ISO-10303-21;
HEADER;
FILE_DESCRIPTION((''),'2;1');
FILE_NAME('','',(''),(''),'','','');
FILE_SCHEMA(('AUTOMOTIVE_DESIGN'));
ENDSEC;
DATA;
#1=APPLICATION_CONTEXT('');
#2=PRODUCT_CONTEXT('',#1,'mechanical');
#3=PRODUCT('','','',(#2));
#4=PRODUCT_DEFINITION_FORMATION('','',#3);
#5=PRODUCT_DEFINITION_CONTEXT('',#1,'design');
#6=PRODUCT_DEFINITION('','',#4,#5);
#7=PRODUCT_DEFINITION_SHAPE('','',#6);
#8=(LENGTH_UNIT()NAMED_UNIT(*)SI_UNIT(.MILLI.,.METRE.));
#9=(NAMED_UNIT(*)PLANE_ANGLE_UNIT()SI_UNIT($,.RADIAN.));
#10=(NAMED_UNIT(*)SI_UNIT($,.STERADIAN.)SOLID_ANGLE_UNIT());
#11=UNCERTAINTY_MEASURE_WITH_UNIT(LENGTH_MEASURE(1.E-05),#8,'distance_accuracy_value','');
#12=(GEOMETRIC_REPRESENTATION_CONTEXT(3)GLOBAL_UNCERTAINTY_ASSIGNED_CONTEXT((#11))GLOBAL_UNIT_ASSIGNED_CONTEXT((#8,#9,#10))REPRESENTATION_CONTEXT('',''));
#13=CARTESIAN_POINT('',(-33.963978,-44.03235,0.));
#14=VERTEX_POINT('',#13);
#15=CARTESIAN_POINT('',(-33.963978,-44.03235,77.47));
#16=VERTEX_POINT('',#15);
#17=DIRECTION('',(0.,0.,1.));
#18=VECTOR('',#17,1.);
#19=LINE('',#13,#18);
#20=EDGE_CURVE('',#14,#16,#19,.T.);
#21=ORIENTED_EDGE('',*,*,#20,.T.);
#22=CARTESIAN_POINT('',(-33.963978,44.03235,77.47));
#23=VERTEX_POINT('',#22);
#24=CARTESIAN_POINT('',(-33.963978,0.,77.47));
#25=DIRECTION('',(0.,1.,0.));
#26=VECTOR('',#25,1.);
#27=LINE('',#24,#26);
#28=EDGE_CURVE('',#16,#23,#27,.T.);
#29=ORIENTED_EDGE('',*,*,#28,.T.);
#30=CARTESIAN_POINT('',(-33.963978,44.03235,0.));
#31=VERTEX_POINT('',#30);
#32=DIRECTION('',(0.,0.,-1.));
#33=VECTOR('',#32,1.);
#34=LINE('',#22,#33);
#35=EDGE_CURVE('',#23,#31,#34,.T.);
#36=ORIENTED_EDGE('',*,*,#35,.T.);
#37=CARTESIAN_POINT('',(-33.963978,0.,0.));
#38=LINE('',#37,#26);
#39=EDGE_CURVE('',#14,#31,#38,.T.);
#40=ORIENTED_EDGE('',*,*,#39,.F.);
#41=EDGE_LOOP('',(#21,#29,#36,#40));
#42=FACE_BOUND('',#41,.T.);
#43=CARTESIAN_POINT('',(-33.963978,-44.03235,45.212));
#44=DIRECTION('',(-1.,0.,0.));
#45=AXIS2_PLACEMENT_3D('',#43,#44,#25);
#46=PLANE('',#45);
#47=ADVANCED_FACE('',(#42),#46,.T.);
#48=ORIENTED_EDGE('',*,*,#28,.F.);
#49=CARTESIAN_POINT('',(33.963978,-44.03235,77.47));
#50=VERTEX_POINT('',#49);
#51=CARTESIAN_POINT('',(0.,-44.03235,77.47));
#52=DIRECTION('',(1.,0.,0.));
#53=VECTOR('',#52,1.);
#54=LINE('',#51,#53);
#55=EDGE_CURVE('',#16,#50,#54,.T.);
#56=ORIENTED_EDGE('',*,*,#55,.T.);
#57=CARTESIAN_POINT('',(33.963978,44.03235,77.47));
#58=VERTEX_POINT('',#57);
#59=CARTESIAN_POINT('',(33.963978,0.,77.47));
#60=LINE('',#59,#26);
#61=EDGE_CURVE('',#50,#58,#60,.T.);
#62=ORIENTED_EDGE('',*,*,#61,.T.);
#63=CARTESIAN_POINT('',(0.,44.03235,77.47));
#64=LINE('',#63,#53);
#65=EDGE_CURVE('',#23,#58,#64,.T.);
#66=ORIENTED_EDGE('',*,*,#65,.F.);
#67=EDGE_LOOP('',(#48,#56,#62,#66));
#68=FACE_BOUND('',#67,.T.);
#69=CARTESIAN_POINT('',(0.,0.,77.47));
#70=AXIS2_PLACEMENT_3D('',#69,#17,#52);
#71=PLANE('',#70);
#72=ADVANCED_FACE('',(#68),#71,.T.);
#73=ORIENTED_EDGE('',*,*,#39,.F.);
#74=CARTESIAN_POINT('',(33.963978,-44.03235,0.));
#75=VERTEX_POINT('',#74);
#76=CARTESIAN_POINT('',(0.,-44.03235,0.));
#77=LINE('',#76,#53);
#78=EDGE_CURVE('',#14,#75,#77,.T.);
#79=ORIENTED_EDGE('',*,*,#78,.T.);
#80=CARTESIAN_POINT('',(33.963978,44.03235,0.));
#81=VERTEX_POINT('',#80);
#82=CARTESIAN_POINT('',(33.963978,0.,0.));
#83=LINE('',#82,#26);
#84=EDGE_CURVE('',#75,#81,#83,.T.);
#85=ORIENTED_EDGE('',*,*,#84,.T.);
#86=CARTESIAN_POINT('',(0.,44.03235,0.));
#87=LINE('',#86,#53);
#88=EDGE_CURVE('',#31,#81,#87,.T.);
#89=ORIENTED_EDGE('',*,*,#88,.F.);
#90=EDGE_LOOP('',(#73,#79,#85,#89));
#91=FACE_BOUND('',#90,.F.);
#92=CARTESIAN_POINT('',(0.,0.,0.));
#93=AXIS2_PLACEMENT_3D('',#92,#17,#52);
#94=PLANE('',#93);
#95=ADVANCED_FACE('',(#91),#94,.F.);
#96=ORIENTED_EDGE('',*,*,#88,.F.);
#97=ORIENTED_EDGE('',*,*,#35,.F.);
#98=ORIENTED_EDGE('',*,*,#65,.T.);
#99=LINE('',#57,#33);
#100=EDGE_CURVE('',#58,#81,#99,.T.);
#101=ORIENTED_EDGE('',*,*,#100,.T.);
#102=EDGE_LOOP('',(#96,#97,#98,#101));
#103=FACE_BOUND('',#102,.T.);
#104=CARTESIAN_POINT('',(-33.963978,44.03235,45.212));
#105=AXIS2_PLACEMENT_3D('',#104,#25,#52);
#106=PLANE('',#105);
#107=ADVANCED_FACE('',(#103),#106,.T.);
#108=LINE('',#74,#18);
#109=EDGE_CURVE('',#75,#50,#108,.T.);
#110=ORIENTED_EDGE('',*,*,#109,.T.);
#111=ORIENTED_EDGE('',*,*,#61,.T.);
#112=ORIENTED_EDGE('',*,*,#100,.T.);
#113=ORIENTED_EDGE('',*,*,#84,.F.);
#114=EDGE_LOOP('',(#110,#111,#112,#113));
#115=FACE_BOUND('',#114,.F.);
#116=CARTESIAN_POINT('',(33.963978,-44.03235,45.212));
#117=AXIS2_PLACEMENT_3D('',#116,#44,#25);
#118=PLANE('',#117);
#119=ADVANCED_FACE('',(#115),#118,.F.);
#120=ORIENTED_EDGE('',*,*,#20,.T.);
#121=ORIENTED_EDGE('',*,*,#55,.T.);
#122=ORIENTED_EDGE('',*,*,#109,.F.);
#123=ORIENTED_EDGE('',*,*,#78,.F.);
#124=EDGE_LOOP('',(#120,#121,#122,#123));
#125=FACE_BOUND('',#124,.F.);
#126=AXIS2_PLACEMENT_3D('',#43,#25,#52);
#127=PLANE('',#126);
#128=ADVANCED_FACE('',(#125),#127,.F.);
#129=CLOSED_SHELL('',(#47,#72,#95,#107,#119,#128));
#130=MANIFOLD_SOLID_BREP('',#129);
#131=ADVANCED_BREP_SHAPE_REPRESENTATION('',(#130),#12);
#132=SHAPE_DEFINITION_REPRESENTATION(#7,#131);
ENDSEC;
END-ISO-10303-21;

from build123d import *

# Parameters (mm, degrees)
F0_W     = 67.9279565811
F0_H     = 88.0647003651
F1_DEPTH = 45.212
F2_DEPTH = 32.258
F3_DEPTH = 25.4


with BuildPart() as f1:
    # F0 (on Top) → F1 (new body)
    with BuildSketch(Plane.XY):
        Rectangle(F0_W, F0_H)
    extrude(amount=F1_DEPTH)

    # F2 (add): a face of the model
    f2_faces = [f1.faces().sort_by_distance(p)[0] for p in [
        (0, 0, 45.212),
    ]]
    extrude(f2_faces, amount=F2_DEPTH)

    # F0 (on Top) → F3 (join)
    with BuildSketch(Plane.XY):
        Rectangle(F0_W, F0_H)
    extrude(amount=F3_DEPTH)


solid = f1.part
